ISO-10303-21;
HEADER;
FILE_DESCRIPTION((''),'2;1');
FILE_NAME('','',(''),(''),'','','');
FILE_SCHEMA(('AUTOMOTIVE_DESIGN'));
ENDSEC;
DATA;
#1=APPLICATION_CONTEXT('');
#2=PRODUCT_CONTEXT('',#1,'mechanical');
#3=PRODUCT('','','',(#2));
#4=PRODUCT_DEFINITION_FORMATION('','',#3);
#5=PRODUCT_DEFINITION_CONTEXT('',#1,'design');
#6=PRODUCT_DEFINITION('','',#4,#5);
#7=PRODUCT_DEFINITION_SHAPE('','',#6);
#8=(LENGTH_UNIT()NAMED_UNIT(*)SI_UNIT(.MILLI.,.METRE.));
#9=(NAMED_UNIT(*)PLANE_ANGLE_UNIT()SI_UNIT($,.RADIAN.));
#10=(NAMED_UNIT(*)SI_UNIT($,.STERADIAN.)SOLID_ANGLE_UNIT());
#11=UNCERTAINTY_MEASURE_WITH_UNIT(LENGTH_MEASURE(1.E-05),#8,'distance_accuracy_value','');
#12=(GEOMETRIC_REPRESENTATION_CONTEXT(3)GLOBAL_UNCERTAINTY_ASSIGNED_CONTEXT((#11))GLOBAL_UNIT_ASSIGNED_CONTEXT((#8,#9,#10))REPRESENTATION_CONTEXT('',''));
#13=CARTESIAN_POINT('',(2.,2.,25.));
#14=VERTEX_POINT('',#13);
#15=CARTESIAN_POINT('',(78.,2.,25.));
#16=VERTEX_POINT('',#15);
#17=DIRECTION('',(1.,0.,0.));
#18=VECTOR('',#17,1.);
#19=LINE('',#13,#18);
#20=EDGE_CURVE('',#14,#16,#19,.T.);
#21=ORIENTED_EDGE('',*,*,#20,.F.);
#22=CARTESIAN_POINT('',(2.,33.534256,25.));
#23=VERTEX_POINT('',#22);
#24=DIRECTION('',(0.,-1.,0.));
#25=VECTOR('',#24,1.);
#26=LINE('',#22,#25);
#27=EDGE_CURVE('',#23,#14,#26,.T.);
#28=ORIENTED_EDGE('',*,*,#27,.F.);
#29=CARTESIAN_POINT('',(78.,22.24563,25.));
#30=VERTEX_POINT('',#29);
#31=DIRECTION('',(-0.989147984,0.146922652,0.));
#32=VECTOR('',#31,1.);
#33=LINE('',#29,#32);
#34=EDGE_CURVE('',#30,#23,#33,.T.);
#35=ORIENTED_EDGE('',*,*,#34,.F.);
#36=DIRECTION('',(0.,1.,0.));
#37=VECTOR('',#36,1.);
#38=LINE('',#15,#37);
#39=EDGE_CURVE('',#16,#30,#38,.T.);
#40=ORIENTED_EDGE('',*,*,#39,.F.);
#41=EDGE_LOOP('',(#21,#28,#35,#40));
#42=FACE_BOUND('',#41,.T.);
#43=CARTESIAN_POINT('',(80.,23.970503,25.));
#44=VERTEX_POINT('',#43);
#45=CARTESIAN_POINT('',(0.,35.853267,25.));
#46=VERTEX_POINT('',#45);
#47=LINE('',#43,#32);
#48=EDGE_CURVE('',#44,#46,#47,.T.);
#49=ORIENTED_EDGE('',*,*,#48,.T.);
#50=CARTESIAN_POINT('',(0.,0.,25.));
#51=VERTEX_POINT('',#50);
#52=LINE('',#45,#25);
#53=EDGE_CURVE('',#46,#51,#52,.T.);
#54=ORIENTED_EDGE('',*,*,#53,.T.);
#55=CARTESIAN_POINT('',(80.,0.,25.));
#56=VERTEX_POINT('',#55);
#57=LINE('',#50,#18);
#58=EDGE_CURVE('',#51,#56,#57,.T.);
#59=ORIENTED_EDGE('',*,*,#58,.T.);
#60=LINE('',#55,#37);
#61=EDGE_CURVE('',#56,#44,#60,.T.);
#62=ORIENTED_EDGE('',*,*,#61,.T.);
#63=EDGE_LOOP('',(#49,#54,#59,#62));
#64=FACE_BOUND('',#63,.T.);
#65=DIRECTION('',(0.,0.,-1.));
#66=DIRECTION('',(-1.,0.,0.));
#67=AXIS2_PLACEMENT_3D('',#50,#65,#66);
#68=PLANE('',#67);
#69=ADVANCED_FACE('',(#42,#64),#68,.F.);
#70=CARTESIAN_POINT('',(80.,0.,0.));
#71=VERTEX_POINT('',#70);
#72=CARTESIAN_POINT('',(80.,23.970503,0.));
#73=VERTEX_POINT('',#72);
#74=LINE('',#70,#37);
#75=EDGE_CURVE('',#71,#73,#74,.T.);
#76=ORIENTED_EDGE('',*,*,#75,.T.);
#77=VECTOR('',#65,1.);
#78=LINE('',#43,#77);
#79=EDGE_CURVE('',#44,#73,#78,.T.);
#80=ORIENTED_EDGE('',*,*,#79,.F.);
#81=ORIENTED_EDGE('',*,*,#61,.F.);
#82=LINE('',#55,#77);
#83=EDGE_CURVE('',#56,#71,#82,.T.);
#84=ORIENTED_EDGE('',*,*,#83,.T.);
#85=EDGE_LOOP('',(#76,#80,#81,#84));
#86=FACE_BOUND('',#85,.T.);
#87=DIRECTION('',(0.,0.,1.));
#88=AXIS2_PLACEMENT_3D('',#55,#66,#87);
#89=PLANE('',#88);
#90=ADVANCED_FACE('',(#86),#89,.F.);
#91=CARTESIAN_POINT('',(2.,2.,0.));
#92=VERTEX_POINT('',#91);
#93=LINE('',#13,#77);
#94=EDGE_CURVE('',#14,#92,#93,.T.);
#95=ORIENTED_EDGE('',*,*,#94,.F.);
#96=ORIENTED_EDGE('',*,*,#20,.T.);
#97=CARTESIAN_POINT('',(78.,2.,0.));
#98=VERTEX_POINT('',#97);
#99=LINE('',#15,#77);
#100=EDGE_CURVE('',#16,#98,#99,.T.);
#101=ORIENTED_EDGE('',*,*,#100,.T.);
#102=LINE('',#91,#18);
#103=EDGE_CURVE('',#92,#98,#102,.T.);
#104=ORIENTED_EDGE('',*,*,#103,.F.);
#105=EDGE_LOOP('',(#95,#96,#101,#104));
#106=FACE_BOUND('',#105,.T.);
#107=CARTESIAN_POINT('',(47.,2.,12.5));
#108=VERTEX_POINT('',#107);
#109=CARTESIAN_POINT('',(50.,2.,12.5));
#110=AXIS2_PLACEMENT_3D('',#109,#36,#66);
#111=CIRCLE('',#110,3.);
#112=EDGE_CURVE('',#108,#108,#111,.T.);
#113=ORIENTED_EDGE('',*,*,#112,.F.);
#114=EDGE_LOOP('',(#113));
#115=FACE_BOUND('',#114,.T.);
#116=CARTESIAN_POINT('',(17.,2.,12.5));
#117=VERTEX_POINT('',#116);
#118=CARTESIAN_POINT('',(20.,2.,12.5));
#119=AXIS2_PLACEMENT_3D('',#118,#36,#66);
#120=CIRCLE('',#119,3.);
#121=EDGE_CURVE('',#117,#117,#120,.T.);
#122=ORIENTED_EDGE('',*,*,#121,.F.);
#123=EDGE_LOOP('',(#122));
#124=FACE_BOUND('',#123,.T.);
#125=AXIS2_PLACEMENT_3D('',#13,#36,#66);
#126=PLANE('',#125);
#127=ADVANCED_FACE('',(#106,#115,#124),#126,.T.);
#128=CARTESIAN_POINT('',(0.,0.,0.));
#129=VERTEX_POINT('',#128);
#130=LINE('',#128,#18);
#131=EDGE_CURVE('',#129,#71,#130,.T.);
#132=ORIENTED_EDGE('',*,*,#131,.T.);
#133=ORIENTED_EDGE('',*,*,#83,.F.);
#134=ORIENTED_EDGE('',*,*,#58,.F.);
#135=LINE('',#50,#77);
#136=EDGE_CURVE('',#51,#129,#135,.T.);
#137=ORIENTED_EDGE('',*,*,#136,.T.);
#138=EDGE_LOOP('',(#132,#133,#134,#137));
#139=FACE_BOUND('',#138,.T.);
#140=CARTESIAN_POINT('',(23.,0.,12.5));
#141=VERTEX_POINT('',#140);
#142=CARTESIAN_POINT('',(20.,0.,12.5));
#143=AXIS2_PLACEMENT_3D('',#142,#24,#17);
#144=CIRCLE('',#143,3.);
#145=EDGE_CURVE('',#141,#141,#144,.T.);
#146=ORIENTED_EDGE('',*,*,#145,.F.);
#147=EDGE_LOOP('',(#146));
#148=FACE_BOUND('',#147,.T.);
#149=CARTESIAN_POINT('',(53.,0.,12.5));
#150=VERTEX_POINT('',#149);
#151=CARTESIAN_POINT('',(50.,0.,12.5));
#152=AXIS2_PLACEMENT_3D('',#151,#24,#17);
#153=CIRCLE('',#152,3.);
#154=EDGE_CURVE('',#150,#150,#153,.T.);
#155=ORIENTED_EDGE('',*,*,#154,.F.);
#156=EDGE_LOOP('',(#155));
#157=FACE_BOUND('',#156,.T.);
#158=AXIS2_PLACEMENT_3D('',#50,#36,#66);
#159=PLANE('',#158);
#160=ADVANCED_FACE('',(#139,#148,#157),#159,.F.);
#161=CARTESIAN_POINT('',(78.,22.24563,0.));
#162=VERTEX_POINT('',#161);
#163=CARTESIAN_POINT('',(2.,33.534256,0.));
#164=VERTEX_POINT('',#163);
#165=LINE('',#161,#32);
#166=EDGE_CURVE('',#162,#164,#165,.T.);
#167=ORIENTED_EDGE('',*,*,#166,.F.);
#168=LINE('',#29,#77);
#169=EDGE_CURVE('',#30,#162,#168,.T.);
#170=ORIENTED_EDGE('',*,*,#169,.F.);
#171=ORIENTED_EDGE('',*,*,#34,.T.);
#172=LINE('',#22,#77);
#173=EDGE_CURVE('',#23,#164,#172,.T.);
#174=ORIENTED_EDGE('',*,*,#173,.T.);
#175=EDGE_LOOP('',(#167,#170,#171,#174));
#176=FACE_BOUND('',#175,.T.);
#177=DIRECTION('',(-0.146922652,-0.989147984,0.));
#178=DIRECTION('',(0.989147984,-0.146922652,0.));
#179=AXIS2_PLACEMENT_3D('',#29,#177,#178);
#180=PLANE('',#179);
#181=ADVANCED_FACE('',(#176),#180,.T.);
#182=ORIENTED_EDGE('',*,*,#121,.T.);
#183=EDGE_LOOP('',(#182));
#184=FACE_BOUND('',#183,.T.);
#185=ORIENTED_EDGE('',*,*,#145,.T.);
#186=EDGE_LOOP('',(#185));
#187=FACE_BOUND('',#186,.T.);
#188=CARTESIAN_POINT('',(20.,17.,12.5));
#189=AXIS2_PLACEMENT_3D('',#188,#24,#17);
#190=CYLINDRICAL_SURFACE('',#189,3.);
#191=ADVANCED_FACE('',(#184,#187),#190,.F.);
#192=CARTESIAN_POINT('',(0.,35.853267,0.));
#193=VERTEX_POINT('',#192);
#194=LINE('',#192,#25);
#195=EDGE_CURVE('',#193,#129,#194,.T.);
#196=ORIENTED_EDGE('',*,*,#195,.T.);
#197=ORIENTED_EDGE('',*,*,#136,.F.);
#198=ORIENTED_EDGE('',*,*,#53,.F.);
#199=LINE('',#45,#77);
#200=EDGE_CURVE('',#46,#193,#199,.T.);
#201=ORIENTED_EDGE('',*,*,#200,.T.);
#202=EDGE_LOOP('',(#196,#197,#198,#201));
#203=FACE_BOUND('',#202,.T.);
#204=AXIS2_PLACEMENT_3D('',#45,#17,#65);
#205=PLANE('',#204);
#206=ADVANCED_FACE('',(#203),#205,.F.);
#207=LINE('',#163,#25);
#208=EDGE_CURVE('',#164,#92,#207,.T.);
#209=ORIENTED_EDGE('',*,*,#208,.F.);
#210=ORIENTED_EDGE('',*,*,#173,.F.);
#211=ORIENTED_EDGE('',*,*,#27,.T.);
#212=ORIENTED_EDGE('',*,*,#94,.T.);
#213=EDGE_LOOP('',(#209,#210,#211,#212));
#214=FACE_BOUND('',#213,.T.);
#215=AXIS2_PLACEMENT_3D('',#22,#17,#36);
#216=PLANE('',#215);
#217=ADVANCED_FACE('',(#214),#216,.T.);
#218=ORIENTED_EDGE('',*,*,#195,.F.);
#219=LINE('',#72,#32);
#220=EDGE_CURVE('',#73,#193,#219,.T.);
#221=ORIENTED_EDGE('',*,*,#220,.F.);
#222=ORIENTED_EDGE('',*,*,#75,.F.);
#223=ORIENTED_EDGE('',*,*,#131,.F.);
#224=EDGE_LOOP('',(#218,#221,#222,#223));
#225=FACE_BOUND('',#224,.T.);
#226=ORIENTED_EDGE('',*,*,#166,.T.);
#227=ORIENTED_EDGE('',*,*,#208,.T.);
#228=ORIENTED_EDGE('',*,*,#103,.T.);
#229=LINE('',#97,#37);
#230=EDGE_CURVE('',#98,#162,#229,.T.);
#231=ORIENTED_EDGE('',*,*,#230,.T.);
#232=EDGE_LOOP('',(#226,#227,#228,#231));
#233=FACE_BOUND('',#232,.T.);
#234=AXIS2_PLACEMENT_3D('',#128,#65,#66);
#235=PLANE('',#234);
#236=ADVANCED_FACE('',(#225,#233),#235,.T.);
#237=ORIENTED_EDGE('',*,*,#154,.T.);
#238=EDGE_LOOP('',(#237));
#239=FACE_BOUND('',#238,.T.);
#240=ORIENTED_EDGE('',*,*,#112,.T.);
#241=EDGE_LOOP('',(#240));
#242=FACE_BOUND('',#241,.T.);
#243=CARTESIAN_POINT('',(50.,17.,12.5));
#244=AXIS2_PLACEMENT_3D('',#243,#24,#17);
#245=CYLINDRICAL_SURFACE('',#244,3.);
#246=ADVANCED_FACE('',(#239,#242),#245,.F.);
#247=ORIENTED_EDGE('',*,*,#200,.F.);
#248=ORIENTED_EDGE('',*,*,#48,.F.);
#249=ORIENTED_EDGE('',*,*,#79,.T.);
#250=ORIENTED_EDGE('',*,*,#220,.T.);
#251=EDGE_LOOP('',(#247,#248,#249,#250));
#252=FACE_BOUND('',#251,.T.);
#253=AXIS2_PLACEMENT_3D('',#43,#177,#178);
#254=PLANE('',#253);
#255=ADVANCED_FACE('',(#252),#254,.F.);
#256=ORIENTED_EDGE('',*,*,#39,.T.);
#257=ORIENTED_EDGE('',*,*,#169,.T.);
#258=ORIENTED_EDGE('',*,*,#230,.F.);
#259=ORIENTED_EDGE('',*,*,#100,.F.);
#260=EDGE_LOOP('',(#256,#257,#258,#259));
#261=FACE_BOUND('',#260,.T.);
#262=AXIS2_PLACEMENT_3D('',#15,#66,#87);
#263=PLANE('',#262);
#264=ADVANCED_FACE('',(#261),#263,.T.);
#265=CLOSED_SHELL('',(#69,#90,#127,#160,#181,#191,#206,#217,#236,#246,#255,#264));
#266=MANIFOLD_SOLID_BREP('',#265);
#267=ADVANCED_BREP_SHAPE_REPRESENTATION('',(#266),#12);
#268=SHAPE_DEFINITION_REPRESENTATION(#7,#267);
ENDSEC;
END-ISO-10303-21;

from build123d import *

# Parameters (mm, degrees)
BOSS_EXTRUDE1_DEPTH = 25
SKETCH4_R           = 3
CUT_EXTRUDE1_DEPTH  = 17


with BuildPart() as part:
    # Sketch3 → Boss-Extrude1 (new body)
    with BuildSketch(Plane.XY):
        Polygon((0, 35.853266996), (0, 0), (80, 0), (80, 23.970502896), align=None)
        Polygon((2, 33.534255745), (2, 2), (78, 2), (78, 22.24562985), align=None, mode=Mode.SUBTRACT)
    extrude(amount=BOSS_EXTRUDE1_DEPTH)

    # Sketch4 → Cut-Extrude1 (cut)
    with BuildSketch(Plane.XZ):
        with Locations((20, 12.5)):
            Circle(SKETCH4_R)
        with Locations((50, 12.5)):
            Circle(SKETCH4_R)
    extrude(amount=-CUT_EXTRUDE1_DEPTH, mode=Mode.SUBTRACT)


solid = part.part
